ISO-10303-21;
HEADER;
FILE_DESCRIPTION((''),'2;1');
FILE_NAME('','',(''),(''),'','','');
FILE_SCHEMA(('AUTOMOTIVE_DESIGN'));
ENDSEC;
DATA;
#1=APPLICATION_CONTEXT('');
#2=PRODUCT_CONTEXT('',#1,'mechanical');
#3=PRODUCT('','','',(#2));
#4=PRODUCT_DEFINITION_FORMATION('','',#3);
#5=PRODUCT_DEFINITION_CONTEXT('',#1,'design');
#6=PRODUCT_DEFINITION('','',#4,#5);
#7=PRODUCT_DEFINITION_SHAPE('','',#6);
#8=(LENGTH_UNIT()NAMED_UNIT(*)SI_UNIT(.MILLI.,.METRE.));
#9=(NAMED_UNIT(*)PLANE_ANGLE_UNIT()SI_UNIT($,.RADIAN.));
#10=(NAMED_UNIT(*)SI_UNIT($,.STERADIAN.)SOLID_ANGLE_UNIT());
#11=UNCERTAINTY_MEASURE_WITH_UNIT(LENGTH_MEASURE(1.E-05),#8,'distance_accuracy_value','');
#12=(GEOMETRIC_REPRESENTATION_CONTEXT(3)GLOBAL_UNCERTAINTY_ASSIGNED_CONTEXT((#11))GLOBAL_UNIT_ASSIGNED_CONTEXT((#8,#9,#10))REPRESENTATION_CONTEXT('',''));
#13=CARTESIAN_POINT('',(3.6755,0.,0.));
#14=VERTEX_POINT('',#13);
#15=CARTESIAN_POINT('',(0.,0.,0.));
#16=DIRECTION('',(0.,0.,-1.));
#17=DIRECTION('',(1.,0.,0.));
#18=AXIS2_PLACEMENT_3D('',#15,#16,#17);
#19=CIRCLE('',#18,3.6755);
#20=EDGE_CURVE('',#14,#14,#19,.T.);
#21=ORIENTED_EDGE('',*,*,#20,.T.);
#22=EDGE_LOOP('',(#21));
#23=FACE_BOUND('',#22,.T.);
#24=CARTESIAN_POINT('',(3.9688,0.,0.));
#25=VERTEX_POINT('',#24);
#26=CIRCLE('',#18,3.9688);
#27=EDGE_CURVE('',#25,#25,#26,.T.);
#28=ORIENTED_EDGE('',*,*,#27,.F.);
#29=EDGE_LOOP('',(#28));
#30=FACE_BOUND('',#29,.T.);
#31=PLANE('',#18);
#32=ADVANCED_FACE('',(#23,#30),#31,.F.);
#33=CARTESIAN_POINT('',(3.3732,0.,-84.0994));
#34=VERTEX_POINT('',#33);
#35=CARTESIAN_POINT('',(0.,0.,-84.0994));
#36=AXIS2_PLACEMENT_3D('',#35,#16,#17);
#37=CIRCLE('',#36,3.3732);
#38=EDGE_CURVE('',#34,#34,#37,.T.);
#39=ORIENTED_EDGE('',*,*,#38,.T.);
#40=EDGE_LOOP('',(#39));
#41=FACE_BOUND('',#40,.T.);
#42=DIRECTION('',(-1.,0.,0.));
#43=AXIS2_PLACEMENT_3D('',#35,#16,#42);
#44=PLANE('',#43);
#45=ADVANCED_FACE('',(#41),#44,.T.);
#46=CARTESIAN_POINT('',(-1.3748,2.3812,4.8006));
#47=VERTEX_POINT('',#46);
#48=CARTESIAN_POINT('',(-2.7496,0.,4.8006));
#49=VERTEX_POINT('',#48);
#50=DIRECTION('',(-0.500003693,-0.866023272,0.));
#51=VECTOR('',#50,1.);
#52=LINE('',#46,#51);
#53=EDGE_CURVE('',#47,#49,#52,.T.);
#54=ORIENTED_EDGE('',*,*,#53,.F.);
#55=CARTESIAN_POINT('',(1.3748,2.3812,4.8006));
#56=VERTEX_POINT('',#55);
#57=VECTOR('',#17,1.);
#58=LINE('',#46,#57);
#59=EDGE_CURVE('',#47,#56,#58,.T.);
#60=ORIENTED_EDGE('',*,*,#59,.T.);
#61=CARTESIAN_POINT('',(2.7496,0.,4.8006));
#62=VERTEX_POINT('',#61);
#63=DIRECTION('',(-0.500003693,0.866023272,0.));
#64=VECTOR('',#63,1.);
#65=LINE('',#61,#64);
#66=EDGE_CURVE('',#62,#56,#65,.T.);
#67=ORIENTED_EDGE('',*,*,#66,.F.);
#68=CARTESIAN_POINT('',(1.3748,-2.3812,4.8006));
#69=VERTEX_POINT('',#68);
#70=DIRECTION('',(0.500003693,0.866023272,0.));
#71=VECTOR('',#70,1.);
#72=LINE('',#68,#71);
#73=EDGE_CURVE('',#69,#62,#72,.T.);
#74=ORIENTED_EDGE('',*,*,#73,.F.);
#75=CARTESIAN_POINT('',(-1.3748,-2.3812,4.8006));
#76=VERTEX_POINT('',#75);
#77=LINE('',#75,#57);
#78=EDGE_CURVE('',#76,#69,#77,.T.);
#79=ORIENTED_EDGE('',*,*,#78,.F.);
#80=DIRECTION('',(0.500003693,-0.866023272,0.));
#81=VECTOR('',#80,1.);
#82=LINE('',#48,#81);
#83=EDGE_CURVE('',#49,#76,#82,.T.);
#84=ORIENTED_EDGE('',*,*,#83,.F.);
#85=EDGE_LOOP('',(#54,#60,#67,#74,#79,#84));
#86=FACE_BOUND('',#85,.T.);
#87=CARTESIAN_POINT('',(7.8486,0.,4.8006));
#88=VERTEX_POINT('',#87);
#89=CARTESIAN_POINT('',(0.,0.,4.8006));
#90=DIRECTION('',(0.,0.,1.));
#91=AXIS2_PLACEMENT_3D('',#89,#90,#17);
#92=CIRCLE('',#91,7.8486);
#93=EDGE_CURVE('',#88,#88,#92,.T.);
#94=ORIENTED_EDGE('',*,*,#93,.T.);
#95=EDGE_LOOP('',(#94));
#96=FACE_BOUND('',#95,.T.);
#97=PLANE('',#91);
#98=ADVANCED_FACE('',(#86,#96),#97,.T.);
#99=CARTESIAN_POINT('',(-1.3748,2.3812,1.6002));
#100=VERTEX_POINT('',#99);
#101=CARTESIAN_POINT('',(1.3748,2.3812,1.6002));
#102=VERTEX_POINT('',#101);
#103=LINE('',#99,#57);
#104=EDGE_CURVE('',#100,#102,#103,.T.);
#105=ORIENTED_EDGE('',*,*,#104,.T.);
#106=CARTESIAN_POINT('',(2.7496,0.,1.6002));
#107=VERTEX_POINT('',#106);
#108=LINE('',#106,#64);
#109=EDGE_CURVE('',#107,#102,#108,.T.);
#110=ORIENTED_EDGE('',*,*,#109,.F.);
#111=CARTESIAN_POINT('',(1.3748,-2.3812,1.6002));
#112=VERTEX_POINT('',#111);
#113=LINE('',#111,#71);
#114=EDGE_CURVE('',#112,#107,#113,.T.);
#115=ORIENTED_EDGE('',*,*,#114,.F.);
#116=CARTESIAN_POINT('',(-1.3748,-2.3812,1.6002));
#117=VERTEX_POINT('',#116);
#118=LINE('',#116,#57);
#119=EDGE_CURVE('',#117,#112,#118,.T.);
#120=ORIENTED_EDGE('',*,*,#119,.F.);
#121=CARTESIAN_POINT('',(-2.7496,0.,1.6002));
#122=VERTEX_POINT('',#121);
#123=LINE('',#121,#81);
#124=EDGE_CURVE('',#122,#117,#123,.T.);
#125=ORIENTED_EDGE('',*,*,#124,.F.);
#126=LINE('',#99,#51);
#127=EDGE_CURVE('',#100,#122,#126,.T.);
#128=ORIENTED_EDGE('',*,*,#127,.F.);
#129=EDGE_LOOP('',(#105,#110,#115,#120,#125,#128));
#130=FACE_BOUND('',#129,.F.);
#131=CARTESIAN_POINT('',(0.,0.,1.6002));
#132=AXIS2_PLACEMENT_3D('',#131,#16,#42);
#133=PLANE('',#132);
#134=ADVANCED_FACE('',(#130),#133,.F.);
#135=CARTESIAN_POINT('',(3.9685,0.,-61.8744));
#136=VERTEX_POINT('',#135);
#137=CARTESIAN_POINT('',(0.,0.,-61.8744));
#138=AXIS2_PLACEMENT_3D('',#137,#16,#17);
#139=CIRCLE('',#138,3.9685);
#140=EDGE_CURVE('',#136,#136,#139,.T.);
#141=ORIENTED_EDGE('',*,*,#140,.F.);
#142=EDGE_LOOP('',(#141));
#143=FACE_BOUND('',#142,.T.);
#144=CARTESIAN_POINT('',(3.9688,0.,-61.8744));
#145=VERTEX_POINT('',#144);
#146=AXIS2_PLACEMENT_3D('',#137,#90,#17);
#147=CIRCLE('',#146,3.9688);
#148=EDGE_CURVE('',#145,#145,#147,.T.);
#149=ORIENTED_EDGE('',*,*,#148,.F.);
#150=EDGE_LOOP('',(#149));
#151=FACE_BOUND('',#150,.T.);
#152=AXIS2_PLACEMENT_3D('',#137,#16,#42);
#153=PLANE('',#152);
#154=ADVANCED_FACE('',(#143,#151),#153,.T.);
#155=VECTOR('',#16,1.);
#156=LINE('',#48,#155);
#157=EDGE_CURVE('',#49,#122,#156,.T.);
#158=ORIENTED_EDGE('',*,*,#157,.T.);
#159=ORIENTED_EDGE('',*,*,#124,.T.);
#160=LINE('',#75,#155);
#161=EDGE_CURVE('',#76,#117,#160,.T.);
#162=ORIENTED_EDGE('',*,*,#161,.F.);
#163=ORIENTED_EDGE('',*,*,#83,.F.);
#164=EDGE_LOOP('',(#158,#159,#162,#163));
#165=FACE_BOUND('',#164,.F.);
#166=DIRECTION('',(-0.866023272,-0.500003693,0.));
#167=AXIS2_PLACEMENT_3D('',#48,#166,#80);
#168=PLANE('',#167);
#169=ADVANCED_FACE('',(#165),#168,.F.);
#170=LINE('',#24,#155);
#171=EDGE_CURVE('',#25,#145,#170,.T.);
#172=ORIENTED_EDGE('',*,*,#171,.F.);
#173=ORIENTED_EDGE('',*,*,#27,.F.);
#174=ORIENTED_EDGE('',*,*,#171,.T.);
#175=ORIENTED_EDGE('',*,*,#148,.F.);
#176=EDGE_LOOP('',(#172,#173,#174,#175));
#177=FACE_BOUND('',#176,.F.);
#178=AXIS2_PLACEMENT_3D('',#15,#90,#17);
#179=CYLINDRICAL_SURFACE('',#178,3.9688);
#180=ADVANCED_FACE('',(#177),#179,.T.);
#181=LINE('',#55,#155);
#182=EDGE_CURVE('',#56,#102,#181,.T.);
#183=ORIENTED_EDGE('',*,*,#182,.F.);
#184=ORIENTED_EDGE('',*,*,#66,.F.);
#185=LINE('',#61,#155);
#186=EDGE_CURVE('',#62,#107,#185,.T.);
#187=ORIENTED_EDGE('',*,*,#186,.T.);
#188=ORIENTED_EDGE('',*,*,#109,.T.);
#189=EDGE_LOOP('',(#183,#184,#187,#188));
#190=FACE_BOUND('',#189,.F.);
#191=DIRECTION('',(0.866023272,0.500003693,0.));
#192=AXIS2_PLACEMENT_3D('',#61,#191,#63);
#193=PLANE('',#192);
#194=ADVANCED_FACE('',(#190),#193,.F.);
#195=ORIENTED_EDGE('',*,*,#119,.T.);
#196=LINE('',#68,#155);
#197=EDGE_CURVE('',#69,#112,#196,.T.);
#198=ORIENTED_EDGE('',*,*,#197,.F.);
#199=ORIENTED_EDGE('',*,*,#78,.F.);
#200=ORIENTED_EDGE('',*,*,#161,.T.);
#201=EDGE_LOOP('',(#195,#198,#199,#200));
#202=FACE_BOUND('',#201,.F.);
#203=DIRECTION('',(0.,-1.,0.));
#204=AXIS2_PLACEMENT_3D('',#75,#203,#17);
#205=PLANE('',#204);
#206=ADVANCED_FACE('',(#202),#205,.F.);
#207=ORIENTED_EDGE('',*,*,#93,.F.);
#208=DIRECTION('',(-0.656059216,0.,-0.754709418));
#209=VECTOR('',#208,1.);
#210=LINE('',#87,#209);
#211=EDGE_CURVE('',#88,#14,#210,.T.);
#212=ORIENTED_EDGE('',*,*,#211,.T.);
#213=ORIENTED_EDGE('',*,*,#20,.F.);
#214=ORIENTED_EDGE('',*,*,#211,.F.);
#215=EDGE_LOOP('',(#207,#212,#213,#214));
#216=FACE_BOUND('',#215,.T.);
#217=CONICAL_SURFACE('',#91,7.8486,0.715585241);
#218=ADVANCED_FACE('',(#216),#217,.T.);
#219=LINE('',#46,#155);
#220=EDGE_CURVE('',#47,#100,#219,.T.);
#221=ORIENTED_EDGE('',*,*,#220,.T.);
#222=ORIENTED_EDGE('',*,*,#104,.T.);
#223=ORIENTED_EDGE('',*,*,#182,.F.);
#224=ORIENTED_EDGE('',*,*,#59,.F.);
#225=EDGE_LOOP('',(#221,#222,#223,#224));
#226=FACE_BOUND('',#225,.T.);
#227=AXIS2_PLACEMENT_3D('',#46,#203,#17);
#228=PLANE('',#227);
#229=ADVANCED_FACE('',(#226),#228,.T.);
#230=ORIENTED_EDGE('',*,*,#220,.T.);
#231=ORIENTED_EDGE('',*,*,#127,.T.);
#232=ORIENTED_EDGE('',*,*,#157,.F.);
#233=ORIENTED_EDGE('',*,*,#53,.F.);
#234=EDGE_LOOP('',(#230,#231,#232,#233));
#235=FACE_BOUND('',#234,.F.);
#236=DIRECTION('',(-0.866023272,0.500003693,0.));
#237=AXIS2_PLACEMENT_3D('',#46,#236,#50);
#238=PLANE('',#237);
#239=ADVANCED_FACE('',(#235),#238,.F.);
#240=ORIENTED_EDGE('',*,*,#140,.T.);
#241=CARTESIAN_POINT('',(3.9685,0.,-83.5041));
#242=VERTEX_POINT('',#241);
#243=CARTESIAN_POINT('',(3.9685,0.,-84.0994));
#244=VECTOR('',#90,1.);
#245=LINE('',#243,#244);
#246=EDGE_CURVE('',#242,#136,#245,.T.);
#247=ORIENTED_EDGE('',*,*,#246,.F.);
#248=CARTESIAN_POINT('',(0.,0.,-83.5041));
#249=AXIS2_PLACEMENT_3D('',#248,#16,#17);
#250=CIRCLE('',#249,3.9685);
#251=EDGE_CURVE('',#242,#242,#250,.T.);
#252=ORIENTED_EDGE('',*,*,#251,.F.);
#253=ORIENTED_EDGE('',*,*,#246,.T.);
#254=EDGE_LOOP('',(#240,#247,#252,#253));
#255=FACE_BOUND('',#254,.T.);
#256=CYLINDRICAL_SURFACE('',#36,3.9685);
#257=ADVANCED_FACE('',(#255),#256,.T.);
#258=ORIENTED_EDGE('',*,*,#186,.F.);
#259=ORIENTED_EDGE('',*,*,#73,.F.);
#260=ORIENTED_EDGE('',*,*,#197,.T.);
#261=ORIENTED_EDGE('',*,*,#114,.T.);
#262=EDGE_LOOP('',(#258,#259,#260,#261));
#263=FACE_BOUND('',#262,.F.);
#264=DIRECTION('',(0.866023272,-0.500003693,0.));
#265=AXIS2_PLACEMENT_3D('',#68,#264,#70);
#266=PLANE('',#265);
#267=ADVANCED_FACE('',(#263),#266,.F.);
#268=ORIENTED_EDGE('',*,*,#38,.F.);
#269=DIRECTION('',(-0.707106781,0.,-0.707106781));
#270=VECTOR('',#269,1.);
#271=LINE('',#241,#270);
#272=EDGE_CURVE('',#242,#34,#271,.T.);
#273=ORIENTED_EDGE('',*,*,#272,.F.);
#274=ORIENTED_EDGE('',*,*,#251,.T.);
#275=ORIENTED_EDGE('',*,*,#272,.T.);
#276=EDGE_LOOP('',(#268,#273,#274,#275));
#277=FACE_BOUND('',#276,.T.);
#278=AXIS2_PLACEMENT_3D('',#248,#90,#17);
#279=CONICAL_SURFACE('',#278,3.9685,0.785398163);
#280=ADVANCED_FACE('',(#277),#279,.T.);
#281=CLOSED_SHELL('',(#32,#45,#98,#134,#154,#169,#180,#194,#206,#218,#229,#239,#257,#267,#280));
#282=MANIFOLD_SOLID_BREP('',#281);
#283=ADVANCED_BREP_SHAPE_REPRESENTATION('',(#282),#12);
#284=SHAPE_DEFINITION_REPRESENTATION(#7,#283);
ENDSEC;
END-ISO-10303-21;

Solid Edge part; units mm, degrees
sketch "Sketch1" plane through (0, 0, 0) normal (0, 0, 1) x (1, 0, 0)
  circle A0 centre (0, 0) radius 7.8486
  dimension "D1" = 15.6972
extrude "Protrusion1" add sketch "Sketch1" along normal blind 4.8006
sketch "Sketch2" plane through (0, 0, 0) normal (0, 0, -1) x (1, 0, 0)
  circle A0 centre (0, 0) radius 3.9688
extrude "Protrusion2" add sketch "Sketch2" along normal blind 84.0994
sketch "Sketch3" plane through (0, 0, -84.0994) normal (0, 0, -1) x (1, 0, 0)
  circle A0 centre (0, 0) radius 3.9685
extrude "Cutout1" cut sketch "Sketch3" against normal blind 22.225 flip side to cut
chamfer "Chamfer_1" distance 0.5953 angle 45 1 edges at (-3.9685, 0, -84.0994)
sketch "Sketch4" plane through (0, 0, 4.8006) normal (0, 0, 1) x (1, 0, 0)
  line L0 (-1.3748, 2.3812) -> (1.3748, 2.3812)
  line L1 (2.7496, 0) -> (1.3748, 2.3812)
  line L2 (1.3748, -2.3812) -> (2.7496, 0)
  line L3 (-1.3748, -2.3812) -> (1.3748, -2.3812)
  line L4 (-2.7496, 0) -> (-1.3748, -2.3812)
  line L5 (-1.3748, 2.3812) -> (-2.7496, 0)
  dimension "D1" = 4.7625
extrude "Cutout2" cut sketch "Sketch4" against normal blind 3.2004
sketch "Sketch5" plane through (0, 0, 0) normal (0, -1, 0) x (1, 0, 0)
  line L0 (7.8486, 4.8006) -> (3.6755, 0)
  line L1 (3.6755, 0) -> (7.8486, 0)
  line L2 (7.8486, 0) -> (7.8486, 4.8006)
revolve "RevolvedCutout1" cut sketch "Sketch5" angle 360 about axis through (0, 0, 14.0017) along (0, 0, -1)
properties part number "300494"
